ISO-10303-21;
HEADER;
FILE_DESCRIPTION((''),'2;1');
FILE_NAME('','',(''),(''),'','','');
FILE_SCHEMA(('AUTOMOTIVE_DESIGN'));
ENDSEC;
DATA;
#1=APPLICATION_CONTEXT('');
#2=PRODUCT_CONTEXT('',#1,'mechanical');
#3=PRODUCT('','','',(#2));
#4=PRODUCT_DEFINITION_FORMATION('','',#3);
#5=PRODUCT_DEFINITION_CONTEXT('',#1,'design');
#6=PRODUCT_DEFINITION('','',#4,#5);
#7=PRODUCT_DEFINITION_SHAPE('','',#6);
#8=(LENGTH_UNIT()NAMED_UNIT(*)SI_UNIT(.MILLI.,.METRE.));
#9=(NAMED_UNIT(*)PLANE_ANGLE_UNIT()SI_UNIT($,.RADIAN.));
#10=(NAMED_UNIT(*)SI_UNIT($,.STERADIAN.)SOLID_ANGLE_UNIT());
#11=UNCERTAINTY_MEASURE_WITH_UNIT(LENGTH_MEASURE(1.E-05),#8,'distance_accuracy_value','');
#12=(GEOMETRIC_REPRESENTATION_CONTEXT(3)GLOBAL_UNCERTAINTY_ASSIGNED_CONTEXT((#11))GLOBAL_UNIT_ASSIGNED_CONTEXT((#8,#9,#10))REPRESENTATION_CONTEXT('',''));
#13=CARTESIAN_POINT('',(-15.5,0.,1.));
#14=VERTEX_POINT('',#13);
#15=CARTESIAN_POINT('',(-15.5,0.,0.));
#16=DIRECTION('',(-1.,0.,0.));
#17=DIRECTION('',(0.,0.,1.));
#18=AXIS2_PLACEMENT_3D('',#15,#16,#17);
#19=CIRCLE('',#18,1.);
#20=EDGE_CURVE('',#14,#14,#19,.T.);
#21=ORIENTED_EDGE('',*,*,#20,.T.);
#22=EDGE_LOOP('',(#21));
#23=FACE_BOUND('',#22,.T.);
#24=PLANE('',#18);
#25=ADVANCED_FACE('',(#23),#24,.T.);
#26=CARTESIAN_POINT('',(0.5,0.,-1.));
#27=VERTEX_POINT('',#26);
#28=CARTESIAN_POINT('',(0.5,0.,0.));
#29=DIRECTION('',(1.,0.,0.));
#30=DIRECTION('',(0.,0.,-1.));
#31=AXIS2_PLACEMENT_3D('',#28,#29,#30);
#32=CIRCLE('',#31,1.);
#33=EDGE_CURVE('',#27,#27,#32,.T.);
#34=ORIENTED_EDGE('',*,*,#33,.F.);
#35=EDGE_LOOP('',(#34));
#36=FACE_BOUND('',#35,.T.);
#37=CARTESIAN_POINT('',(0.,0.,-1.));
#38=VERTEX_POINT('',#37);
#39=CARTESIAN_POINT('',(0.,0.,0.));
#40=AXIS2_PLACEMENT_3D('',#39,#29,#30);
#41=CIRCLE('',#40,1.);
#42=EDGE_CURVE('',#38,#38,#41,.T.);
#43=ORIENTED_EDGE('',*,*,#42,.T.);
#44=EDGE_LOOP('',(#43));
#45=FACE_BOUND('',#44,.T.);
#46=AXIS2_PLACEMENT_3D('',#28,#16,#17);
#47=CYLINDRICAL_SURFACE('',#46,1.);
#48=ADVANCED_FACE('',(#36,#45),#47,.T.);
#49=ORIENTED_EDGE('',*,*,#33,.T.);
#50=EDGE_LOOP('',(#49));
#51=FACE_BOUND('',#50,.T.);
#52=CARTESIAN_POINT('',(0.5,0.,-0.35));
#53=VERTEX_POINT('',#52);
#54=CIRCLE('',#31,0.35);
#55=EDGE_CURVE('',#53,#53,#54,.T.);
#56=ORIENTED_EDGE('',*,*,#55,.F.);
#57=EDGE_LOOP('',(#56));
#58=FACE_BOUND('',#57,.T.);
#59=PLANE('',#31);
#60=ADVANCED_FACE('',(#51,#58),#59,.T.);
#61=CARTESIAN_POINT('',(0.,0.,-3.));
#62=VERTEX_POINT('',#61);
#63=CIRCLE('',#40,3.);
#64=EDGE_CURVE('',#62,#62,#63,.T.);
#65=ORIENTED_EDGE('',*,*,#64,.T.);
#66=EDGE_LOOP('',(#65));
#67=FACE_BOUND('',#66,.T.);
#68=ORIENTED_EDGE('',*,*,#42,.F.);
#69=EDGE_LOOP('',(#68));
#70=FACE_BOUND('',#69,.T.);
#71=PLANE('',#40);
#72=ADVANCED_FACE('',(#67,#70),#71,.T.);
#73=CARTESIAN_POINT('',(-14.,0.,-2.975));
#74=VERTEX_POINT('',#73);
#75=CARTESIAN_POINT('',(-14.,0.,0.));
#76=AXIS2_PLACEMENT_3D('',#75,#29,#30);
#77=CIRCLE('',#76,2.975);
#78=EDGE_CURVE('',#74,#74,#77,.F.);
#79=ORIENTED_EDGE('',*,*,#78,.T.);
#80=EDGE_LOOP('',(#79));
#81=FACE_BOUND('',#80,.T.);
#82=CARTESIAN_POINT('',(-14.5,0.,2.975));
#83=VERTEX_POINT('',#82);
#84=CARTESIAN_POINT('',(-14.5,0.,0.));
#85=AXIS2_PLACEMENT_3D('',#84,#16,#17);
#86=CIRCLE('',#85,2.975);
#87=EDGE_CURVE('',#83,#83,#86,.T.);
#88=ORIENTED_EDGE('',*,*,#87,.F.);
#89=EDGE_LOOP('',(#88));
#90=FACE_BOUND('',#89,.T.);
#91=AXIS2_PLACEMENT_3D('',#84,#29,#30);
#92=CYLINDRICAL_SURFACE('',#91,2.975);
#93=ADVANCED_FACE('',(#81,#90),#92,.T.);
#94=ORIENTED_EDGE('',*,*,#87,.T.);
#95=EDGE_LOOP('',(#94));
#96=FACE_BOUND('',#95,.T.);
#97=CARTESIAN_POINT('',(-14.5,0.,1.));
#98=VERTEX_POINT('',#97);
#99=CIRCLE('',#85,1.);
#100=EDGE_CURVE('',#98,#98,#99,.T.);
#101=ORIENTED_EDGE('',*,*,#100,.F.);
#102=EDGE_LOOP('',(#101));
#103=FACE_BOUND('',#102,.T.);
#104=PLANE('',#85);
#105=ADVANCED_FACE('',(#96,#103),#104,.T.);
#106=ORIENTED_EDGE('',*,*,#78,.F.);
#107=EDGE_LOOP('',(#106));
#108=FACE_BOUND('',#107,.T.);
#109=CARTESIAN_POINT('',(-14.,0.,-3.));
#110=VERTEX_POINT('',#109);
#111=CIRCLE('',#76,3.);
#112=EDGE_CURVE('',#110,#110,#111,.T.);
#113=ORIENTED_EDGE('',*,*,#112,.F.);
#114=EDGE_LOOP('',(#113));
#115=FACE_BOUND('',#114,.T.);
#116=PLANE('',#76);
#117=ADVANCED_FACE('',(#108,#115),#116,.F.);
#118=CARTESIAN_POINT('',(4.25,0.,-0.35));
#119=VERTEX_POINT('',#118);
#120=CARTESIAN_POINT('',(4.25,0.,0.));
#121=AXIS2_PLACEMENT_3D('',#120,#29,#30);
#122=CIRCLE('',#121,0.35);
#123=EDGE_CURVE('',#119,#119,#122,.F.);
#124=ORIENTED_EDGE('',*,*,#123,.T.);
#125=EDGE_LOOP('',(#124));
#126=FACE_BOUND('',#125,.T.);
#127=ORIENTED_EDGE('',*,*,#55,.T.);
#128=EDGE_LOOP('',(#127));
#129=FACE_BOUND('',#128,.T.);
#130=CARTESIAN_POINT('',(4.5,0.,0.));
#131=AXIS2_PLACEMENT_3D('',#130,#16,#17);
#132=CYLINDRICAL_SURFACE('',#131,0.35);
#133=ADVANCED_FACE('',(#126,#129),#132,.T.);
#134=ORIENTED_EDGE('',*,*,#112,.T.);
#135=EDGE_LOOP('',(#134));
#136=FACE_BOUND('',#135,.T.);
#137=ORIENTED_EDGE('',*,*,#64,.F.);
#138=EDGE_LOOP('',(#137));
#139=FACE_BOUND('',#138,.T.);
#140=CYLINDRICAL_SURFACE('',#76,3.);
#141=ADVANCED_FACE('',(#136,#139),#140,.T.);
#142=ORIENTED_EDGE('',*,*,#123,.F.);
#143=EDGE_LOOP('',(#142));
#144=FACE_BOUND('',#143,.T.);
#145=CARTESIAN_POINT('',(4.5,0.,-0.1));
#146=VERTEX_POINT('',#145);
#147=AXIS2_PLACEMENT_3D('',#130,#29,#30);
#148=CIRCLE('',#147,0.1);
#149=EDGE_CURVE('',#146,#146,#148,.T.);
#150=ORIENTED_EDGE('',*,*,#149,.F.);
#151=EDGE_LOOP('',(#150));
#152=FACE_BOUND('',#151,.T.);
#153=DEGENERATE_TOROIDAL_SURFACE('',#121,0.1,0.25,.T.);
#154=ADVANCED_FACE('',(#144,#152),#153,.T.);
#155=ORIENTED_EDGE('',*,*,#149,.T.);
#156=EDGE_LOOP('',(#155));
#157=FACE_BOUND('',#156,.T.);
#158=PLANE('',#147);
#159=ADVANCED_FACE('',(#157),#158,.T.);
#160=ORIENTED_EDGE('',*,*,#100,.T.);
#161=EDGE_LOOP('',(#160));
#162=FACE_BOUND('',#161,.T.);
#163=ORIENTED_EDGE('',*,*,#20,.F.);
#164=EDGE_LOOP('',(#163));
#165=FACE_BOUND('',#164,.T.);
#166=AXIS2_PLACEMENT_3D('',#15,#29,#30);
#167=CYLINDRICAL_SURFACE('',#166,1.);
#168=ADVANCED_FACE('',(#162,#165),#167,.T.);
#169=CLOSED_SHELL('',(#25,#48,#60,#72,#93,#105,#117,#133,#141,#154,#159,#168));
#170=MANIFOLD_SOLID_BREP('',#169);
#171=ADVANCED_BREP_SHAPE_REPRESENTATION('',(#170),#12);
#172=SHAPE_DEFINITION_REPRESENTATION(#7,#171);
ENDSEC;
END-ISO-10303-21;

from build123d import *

# Parameters (mm, degrees)
SKETCH1_R           = 3
BOSS_EXTRUDE1_DEPTH = 14
SKETCH2_R           = 1
BOSS_EXTRUDE2_DEPTH = 0.5
SKETCH3_R           = 0.35
BOSS_EXTRUDE3_DEPTH = 4
FILLET1_R           = 0.25
SKETCH7_R           = 2.975
BOSS_EXTRUDE6_DEPTH = 0.5
BOSS_EXTRUDE7_START = 1
SKETCH8_R           = 1
BOSS_EXTRUDE7_DEPTH = 1


with BuildPart() as part:
    # Sketch1 → Boss-Extrude1 (new body)
    with BuildSketch(Plane(origin=(0, 0, 0), x_dir=(0, 0, -1), z_dir=(1, 0, 0))):
        Circle(SKETCH1_R)
    extrude(amount=-BOSS_EXTRUDE1_DEPTH)

    # Sketch2 → Boss-Extrude2 (add)
    with BuildSketch(Plane(origin=(0, 0, 0), x_dir=(0, 0, -1), z_dir=(1, 0, 0))):
        Circle(SKETCH2_R)
    extrude(amount=BOSS_EXTRUDE2_DEPTH)

    # Sketch3 → Boss-Extrude3 (add)
    with BuildSketch(Plane(origin=(0.5, 0, 0), x_dir=(0, 0, -1), z_dir=(1, 0, 0))):
        Circle(SKETCH3_R)
    extrude(amount=BOSS_EXTRUDE3_DEPTH)

    # Fillet1
    fillet1_edges = [part.edges().sort_by_distance(p)[0] for p in [
        (4.5, 0, 0.35),
    ]]
    fillet(fillet1_edges, radius=FILLET1_R)

    # Sketch7 → Boss-Extrude6 (add)
    with BuildSketch(Plane.ZY.offset(14)):
        with Locations(Location((0, 0, 0), (0, 0, 180))):
            Circle(SKETCH7_R)
    extrude(amount=BOSS_EXTRUDE6_DEPTH)

    # Sketch8 → Boss-Extrude7 (add)
    with BuildSketch(Plane.ZY.offset(14.5).offset(BOSS_EXTRUDE7_START)):
        with Locations(Location((0, 0, 0), (0, 0, 180))):
            Circle(SKETCH8_R)
    extrude(amount=-BOSS_EXTRUDE7_DEPTH)


solid = part.part
